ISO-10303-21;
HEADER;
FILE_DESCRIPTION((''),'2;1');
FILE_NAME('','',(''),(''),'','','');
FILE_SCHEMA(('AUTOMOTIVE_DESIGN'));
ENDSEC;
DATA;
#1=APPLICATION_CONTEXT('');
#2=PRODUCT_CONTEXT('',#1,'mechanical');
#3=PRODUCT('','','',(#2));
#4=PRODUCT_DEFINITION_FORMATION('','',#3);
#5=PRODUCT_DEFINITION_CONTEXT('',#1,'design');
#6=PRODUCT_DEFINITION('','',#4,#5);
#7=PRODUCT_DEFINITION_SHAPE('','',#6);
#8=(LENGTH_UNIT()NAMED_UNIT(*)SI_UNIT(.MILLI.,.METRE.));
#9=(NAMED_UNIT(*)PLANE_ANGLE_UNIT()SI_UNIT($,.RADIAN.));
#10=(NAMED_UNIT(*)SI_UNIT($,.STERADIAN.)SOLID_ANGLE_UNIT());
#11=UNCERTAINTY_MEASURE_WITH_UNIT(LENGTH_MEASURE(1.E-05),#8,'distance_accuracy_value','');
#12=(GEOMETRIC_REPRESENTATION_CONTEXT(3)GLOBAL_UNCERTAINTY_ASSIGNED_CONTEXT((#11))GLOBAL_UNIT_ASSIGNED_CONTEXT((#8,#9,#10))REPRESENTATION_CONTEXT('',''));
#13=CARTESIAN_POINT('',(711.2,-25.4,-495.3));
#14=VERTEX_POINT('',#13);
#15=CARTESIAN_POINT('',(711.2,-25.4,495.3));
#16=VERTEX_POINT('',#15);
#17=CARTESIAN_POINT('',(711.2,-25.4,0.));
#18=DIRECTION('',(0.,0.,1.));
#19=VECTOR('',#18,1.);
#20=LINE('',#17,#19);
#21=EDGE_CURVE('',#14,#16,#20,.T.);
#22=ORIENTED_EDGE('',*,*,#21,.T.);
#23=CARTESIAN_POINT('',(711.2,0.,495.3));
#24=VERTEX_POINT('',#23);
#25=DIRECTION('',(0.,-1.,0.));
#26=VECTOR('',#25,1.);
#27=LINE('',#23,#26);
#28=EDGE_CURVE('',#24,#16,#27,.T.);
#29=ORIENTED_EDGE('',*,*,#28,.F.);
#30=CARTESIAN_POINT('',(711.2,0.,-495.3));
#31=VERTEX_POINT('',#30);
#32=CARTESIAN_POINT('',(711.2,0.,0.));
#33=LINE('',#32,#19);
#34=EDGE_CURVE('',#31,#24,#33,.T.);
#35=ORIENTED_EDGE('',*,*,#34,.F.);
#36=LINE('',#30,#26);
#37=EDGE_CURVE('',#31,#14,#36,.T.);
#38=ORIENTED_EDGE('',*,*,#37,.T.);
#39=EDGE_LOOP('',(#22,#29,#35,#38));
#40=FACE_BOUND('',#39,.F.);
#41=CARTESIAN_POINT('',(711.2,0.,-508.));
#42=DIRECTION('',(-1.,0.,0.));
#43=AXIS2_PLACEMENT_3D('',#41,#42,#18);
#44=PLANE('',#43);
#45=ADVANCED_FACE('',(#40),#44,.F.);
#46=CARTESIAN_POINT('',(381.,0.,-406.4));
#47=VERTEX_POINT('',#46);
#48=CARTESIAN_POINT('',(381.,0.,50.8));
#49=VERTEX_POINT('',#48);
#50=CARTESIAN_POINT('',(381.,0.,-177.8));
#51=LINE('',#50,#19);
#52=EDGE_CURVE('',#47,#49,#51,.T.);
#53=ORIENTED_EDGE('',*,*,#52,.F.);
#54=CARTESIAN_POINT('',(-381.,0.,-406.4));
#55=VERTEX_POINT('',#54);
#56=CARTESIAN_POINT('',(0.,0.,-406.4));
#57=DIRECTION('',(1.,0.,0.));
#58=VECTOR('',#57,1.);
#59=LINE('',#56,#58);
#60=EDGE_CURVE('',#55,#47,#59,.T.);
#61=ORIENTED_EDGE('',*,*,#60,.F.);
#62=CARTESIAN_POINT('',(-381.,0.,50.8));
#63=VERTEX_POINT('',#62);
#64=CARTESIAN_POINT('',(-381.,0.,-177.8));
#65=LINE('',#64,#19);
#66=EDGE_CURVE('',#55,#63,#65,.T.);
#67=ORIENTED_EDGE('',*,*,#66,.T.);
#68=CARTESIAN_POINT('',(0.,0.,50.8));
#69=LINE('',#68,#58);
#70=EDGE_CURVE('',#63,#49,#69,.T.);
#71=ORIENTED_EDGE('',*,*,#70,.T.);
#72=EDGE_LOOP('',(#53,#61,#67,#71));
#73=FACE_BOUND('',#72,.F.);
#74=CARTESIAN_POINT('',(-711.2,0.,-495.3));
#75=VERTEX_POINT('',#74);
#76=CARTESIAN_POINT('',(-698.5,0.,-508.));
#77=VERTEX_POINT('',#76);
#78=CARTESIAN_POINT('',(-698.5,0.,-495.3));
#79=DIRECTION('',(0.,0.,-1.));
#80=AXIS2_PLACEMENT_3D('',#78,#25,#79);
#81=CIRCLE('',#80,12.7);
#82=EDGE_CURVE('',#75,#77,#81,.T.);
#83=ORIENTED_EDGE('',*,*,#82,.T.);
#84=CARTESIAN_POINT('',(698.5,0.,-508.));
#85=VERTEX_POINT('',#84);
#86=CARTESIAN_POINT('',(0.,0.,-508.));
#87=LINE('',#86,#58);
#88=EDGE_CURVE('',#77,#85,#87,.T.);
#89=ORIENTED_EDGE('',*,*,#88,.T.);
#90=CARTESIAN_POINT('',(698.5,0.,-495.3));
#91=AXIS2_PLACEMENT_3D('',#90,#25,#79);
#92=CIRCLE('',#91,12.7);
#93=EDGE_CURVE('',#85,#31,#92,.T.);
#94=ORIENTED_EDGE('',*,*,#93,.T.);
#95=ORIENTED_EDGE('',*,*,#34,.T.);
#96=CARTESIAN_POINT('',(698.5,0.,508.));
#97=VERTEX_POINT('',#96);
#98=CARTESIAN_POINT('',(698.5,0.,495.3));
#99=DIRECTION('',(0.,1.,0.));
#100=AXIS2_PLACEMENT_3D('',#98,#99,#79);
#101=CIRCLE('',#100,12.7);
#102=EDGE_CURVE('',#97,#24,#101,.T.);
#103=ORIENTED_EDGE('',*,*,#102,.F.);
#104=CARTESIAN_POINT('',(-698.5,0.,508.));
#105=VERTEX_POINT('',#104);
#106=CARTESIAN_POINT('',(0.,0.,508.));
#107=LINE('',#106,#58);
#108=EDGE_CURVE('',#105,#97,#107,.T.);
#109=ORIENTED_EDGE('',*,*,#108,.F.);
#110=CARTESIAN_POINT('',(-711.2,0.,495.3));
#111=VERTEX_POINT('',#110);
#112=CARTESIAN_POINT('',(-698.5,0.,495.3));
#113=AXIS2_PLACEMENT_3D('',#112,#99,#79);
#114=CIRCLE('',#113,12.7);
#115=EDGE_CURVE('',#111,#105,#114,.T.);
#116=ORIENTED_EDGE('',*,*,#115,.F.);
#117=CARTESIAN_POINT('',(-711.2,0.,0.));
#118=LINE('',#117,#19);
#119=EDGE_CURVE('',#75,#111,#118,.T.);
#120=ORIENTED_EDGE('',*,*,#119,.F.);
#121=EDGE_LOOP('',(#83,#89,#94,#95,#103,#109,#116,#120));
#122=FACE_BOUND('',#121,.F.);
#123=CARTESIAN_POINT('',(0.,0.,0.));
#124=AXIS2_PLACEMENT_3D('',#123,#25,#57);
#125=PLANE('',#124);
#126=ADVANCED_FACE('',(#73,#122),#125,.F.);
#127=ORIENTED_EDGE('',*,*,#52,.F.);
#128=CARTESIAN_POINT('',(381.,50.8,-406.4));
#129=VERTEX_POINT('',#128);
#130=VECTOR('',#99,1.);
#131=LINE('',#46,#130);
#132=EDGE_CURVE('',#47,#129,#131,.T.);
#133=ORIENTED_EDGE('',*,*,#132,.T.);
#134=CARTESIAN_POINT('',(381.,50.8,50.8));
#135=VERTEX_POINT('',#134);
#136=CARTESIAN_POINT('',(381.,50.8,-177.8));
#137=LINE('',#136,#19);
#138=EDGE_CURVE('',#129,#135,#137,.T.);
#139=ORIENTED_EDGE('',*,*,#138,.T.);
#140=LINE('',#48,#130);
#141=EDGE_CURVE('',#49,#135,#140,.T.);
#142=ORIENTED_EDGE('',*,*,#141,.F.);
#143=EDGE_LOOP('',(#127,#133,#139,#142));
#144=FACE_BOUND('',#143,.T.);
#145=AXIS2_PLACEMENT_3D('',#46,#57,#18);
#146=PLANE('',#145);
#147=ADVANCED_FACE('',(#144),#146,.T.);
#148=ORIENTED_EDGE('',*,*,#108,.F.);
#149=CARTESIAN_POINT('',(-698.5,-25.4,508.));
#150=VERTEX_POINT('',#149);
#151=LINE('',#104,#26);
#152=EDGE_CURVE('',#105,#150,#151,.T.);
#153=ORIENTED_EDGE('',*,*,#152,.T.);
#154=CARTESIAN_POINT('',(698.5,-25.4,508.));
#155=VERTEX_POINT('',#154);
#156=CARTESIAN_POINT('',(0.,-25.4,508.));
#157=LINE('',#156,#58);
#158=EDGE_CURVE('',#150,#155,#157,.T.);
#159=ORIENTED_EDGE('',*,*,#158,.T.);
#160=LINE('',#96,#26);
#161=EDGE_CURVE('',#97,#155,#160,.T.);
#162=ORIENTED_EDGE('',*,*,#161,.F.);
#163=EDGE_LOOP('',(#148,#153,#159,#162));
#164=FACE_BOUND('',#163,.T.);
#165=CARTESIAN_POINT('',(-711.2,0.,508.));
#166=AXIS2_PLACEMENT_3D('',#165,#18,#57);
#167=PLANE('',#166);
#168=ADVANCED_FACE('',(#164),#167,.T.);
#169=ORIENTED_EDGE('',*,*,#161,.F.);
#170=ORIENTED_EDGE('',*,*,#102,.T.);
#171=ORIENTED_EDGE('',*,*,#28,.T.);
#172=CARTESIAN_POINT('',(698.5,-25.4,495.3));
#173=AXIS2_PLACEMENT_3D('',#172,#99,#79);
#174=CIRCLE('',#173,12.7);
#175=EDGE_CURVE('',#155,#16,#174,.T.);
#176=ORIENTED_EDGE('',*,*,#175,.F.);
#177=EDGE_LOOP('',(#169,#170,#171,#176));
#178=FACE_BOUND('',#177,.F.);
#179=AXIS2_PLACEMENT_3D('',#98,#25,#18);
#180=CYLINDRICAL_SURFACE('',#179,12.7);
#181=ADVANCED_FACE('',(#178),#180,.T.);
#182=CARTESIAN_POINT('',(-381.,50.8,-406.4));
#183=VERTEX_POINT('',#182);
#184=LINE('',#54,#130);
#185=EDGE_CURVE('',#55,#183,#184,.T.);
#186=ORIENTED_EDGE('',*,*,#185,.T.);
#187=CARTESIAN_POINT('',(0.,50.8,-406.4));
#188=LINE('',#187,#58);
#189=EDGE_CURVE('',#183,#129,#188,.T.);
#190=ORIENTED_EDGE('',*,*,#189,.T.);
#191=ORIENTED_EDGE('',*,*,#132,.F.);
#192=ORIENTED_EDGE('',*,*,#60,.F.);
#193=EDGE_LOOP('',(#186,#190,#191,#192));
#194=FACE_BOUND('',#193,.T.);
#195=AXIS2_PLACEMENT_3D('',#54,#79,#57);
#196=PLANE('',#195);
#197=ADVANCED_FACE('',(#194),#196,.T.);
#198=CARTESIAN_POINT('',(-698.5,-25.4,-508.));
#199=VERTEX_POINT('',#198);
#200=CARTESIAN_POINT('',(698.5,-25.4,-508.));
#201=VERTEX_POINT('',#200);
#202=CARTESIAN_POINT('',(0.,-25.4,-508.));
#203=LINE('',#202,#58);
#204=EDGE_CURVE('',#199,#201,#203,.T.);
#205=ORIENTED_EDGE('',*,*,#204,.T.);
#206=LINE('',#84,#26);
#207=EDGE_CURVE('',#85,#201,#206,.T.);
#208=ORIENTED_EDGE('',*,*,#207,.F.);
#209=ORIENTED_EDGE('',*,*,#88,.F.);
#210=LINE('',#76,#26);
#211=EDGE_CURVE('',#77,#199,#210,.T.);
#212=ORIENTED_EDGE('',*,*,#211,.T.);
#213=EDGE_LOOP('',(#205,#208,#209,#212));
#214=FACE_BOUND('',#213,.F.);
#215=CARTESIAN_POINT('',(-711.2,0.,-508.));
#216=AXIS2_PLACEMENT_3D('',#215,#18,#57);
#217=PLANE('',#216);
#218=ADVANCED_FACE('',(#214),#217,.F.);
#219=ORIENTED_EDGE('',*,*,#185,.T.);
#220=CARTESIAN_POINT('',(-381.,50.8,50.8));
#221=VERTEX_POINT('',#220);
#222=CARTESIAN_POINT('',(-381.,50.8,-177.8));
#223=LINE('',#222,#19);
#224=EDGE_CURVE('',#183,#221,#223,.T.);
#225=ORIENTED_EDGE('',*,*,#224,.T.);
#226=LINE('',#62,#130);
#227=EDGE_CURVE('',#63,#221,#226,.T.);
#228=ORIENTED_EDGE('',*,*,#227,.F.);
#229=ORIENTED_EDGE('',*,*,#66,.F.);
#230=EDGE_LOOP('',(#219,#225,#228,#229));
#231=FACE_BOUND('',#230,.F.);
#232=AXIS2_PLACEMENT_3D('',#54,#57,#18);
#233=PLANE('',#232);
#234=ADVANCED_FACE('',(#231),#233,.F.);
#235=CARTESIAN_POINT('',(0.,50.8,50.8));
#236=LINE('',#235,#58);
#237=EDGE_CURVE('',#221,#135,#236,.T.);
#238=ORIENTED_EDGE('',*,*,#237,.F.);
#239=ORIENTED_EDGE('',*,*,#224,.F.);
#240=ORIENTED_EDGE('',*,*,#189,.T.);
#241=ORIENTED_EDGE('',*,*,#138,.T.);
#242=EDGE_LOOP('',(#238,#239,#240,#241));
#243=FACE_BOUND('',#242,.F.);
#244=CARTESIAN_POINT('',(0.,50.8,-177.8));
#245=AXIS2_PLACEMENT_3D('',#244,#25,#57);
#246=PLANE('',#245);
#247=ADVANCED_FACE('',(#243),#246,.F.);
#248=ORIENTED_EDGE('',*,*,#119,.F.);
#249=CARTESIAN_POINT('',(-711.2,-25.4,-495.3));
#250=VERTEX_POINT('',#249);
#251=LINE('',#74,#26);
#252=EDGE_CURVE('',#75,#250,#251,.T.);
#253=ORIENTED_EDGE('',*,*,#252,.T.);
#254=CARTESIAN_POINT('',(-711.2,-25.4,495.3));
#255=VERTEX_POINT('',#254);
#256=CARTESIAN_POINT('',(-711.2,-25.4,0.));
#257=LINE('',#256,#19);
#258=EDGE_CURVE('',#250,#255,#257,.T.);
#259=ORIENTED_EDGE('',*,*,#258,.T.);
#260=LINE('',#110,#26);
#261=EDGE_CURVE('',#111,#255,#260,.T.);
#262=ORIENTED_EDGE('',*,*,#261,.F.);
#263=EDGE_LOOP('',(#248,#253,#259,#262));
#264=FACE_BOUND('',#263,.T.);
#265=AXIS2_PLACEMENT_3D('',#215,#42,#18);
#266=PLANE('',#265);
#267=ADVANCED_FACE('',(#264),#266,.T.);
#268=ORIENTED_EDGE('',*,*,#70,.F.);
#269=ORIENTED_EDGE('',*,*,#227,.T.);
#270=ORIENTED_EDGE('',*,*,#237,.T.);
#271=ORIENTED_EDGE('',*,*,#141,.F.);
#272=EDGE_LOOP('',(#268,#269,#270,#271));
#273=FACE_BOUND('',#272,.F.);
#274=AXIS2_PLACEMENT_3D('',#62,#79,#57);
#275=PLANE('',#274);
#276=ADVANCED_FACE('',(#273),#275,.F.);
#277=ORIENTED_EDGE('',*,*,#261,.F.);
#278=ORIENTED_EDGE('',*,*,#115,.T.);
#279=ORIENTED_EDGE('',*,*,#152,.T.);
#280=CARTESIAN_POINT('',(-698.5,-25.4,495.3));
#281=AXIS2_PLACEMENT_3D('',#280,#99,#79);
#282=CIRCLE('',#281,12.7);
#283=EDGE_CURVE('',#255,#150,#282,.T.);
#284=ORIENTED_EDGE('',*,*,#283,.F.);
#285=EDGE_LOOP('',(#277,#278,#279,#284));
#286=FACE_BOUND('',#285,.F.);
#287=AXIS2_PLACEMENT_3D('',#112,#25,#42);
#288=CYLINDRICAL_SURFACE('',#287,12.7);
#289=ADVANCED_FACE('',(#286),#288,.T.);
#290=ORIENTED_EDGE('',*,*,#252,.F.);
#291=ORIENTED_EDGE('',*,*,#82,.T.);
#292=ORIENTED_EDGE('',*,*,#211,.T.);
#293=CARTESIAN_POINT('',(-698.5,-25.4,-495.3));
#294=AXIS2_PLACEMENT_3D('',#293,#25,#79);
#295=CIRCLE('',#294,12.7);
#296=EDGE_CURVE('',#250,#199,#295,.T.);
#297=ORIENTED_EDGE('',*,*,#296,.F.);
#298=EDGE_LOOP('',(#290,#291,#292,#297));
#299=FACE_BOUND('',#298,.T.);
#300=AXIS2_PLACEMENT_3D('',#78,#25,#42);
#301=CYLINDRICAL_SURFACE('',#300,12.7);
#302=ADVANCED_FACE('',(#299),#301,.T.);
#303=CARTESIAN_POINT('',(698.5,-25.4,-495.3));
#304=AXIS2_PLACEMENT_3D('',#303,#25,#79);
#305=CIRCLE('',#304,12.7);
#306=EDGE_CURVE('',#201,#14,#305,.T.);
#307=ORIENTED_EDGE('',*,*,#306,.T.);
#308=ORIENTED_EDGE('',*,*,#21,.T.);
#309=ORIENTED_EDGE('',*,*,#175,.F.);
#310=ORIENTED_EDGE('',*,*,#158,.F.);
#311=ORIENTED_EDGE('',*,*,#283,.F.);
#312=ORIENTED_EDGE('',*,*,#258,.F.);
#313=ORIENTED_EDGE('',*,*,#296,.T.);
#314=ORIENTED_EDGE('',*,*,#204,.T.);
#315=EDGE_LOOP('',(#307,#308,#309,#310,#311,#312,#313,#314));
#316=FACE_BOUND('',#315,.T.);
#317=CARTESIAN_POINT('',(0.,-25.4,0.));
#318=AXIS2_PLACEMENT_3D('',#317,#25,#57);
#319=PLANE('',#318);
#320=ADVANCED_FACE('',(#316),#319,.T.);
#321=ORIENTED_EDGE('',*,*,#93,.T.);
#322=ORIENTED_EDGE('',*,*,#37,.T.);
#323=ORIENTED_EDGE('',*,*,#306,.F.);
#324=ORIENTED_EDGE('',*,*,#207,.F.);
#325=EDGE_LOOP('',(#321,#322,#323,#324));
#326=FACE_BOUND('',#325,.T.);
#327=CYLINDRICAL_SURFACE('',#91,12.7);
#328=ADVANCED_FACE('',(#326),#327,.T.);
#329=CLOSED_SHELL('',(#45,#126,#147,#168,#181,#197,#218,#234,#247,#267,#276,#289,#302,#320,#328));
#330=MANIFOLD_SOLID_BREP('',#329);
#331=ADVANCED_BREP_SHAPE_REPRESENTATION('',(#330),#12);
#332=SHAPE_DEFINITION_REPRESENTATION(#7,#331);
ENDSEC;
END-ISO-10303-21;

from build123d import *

# Parameters (mm, degrees)
F0_W      = 762
F0_H      = 457.2
F1_DEPTH  = 50.8
F0_W_2    = 1422.4
F0_H_2    = 1016
F1_FACE_W = 762
F1_FACE_H = 457.2
F2_DEPTH  = 25.4
F3_R      = 12.7


with BuildPart() as f1:
    # F0 (on Front) → F1 (new body)
    with BuildSketch(Plane.XZ):
        with Locations((0, -177.8)):
            Rectangle(F0_W, F0_H)
    extrude(amount=-F1_DEPTH)

    # F0 (on Front) + F1_face (on face) → F2 (join)
    with BuildSketch(Plane.XZ):
        Rectangle(F0_W_2, F0_H_2)
        with Locations((0, -177.8)):
            Rectangle(F0_W, F0_H, mode=Mode.SUBTRACT)
    with BuildSketch(Plane(origin=(0, 0, -177.8), x_dir=(1, 0, 0), z_dir=(0, -1, 0))):
        Rectangle(F1_FACE_W, F1_FACE_H)
    extrude(amount=F2_DEPTH)

    # F3
    f3_edges = [f1.edges().sort_by_distance(p)[0] for p in [
        (711.2, -12.7, -508),
        (-711.2, -12.7, -508),
        (-711.2, -12.7, 508),
        (711.2, -12.7, 508),
    ]]
    fillet(f3_edges, radius=F3_R)


solid = f1.part
